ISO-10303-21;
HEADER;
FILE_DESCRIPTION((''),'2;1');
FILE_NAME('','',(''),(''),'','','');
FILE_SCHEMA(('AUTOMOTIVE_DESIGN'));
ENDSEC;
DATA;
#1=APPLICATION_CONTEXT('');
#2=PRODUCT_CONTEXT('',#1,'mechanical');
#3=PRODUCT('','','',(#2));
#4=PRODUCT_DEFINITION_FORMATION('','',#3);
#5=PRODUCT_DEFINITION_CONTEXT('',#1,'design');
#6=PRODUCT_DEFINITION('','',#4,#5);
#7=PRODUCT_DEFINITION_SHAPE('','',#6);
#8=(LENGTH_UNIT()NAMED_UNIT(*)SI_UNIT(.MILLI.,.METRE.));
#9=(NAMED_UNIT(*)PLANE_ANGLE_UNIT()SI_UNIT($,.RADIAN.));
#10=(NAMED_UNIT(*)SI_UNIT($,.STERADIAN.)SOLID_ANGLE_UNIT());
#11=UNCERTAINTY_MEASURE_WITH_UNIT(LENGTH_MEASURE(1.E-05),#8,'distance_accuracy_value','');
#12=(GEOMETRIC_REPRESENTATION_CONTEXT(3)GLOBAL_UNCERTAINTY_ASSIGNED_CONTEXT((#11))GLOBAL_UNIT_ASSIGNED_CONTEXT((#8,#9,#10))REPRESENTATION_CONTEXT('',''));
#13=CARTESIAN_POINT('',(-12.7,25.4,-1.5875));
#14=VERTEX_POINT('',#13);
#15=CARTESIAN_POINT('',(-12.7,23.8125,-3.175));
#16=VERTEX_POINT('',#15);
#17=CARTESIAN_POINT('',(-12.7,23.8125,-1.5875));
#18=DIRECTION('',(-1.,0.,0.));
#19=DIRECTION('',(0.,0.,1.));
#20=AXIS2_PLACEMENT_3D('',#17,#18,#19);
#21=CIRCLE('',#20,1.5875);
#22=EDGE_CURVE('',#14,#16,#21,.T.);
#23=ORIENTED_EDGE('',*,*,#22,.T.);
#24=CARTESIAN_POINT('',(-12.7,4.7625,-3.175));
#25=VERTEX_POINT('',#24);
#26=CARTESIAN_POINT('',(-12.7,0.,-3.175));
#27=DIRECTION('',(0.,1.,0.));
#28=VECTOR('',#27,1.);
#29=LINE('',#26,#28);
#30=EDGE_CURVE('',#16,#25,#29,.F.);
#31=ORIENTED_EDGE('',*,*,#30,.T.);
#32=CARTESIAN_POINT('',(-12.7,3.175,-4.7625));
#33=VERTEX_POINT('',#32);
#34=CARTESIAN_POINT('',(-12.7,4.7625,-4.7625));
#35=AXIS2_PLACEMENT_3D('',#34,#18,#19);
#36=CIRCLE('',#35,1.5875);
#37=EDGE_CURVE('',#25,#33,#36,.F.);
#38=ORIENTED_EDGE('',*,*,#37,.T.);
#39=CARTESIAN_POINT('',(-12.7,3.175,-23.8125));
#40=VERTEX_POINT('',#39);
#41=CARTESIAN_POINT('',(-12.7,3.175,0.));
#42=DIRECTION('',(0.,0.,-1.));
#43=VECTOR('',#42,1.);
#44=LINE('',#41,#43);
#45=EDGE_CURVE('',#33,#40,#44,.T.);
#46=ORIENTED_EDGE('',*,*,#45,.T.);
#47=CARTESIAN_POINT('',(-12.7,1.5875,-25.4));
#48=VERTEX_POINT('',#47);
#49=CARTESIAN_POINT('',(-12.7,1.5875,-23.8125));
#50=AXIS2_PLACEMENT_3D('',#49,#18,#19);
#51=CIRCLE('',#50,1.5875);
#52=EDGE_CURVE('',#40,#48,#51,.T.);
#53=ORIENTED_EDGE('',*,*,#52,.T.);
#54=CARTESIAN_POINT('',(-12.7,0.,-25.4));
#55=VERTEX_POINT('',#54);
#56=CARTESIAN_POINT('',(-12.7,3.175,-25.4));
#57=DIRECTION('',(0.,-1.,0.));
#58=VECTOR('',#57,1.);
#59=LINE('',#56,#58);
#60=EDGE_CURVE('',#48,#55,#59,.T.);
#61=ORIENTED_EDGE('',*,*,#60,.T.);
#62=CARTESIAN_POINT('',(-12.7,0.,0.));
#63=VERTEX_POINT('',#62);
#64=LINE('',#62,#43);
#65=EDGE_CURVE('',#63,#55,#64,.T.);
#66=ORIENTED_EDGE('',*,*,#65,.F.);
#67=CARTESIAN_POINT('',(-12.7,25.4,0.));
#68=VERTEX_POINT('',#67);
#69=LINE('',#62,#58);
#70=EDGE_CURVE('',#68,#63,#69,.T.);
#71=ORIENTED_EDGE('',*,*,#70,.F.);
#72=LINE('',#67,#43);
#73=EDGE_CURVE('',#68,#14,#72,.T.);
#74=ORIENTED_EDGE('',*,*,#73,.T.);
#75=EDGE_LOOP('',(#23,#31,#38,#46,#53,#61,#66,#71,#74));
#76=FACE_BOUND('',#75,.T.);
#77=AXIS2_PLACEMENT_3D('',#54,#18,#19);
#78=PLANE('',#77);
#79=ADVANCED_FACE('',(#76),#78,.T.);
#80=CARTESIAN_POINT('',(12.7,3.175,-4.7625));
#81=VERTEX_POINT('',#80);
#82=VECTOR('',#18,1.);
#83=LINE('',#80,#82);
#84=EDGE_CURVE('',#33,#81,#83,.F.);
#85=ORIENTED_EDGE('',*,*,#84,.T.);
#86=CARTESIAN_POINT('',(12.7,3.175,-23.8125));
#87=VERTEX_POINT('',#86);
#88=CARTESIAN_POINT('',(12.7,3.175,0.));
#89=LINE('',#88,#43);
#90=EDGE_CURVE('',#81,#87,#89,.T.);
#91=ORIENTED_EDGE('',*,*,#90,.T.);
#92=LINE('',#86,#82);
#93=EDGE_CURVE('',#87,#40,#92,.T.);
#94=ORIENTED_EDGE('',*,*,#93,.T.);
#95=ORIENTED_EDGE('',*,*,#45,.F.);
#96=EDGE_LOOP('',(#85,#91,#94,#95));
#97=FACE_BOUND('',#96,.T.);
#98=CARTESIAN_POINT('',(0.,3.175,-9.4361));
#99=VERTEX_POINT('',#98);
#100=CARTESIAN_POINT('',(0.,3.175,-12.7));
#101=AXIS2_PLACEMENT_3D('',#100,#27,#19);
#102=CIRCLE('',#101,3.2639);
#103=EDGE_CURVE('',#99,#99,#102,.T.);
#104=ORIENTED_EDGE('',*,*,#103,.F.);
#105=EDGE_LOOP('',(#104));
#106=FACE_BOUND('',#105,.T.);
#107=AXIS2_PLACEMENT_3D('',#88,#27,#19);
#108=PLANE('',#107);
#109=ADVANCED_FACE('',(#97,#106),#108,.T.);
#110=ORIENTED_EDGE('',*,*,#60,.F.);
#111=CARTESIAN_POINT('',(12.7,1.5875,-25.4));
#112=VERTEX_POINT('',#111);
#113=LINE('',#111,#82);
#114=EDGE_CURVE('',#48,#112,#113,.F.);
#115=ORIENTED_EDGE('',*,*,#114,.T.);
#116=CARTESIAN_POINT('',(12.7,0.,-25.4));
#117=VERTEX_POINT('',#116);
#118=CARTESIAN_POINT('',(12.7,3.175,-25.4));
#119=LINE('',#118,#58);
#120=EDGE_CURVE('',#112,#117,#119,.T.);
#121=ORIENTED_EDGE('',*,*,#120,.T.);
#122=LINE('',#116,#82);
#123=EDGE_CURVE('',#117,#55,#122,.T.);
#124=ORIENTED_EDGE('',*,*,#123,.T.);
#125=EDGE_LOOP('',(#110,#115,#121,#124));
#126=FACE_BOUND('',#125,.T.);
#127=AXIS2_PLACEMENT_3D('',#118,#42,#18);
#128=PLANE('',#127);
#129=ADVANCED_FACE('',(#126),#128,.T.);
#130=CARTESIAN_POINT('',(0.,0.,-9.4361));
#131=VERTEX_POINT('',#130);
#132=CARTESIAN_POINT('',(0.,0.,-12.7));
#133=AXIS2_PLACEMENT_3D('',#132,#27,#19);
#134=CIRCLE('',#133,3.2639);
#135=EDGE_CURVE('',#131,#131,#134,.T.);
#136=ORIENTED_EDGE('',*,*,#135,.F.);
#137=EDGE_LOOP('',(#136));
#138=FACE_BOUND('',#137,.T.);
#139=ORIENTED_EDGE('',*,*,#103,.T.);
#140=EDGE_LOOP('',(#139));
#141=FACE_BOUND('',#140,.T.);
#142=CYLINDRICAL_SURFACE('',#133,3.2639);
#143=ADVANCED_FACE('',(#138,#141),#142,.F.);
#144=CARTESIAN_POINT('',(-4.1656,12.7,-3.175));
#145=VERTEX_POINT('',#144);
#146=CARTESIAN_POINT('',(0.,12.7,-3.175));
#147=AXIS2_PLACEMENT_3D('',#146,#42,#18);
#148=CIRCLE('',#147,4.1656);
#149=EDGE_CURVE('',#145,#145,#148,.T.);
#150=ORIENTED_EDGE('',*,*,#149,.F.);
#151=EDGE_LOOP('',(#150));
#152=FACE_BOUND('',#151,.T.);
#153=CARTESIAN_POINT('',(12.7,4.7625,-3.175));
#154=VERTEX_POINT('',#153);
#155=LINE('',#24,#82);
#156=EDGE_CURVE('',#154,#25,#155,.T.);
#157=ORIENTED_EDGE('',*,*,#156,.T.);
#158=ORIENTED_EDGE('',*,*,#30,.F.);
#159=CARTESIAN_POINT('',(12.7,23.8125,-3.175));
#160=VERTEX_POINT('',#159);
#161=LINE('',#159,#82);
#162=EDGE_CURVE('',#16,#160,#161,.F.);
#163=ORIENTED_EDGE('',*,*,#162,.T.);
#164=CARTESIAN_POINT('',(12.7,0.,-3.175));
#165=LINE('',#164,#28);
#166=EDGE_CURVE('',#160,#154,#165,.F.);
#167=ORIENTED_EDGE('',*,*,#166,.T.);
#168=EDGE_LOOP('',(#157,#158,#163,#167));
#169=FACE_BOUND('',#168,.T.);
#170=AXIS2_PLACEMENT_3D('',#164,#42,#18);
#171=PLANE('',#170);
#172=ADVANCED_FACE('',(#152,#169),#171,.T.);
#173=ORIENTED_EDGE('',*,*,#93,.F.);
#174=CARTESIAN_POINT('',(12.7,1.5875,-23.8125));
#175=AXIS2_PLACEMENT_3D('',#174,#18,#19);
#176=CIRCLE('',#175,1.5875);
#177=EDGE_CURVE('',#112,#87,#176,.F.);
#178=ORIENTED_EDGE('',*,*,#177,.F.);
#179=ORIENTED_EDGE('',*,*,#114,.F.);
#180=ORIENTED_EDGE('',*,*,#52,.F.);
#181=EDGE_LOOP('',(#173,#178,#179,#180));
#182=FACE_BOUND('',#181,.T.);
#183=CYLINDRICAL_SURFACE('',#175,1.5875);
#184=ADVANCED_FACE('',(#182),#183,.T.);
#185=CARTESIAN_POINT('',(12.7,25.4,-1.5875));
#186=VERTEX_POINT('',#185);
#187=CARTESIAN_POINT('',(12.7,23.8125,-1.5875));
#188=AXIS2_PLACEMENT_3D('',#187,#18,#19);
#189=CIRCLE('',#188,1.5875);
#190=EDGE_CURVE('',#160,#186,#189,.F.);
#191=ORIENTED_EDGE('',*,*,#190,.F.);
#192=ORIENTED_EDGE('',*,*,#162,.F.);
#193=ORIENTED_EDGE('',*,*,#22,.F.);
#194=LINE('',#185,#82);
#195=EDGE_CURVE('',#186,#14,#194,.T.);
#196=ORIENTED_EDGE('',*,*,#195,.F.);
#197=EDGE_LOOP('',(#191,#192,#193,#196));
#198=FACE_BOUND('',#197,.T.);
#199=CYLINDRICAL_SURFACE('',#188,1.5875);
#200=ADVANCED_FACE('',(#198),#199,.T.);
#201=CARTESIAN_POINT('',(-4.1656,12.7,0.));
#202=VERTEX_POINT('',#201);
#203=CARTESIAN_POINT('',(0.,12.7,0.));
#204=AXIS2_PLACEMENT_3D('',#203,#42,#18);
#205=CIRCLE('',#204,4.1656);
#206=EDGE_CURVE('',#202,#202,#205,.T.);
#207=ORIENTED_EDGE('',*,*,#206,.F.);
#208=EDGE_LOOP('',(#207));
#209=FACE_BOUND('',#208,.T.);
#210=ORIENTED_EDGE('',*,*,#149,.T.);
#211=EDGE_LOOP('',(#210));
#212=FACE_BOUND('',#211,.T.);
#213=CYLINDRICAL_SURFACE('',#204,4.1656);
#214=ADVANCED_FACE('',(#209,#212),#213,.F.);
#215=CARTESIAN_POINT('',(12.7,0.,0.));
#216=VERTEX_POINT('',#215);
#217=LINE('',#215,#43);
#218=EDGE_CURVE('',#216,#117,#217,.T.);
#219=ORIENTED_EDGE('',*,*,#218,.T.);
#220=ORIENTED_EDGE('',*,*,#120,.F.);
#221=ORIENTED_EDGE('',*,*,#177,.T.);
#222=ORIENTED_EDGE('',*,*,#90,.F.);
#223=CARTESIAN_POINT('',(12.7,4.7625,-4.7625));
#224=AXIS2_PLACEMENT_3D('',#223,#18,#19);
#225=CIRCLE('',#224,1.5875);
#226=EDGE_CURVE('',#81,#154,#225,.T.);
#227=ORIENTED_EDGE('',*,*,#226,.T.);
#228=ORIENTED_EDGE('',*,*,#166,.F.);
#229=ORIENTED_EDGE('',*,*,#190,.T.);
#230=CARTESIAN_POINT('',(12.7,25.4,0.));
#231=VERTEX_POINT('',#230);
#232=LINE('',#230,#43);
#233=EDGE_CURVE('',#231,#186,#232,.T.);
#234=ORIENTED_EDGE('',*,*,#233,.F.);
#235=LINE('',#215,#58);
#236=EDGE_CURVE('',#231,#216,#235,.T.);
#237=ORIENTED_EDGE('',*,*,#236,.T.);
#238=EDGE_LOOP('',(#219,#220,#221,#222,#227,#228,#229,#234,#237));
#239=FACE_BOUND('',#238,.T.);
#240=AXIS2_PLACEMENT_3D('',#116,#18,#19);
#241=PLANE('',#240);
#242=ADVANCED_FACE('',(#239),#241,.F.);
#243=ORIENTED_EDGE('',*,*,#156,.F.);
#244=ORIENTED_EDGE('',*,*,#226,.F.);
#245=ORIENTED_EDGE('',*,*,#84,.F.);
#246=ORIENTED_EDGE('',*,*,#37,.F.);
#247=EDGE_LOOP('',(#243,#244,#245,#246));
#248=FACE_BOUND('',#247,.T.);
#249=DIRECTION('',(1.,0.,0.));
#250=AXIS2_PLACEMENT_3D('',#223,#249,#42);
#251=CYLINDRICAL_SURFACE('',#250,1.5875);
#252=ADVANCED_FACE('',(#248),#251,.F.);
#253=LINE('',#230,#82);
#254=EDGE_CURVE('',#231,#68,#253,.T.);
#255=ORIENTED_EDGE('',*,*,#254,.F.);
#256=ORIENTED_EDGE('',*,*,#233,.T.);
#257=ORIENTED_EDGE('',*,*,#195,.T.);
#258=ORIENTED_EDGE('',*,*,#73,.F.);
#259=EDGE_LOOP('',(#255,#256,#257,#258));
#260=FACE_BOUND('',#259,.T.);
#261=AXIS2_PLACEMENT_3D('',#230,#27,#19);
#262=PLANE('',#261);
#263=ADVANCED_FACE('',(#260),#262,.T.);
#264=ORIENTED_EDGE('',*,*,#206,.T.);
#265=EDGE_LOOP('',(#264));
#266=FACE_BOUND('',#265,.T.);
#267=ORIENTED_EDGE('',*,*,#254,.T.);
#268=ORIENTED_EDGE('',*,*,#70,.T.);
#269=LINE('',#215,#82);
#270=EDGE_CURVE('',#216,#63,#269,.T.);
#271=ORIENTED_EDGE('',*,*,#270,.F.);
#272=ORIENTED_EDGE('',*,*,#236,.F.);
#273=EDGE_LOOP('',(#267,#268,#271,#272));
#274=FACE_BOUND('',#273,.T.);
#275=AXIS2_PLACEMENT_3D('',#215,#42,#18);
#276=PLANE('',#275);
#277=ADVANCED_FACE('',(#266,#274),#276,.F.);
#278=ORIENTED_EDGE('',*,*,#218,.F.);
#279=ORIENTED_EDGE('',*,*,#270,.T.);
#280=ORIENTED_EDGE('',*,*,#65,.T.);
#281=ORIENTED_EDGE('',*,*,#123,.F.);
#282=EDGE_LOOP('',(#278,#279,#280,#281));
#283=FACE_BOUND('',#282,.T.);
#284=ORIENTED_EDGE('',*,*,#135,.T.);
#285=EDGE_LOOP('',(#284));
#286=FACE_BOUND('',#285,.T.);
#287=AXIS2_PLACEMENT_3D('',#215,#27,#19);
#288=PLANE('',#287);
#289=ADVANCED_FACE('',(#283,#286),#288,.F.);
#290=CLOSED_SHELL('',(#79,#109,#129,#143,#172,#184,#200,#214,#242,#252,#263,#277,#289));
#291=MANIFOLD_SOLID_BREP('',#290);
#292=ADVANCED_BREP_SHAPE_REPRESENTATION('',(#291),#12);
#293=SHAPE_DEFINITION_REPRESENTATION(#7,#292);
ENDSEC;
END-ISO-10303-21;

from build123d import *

# Parameters (mm, degrees)
EXTRUDE_THIN1_DEPTH = 12.7
SKETCH2_R           = 4.1656
CUT_EXTRUDE1_DEPTH  = 4.175
SKETCH3_R           = 3.2639
CUT_EXTRUDE2_DEPTH  = 4.175
FILLET1_R           = 1.5875


with BuildPart() as part:
    # Sketch1 → Extrude-Thin1 (new body, symmetric)
    with BuildSketch(Plane(origin=(0, 0, 0), x_dir=(0, 0, -1), z_dir=(1, 0, 0))):
        Polygon((25.4, 0), (0, 0), (0, 25.4), (3.175, 25.4), (3.175, 3.175), (25.4, 3.175), align=None)
    extrude(amount=EXTRUDE_THIN1_DEPTH, both=True)

    # Sketch2 → Cut-Extrude1 (cut, through all)
    with BuildSketch(Plane(origin=(0, 0, -3.175), x_dir=(-1, 0, 0), z_dir=(0, 0, -1))):
        with Locations((0, 12.7)):
            Circle(SKETCH2_R)
    extrude(amount=-CUT_EXTRUDE1_DEPTH, mode=Mode.SUBTRACT)

    # Sketch3 → Cut-Extrude2 (cut, through all)
    with BuildSketch(Plane(origin=(0, 3.175, 0), x_dir=(1, 0, 0), z_dir=(0, 1, 0))):
        with Locations(Location((0, 12.7, 0), (0, 0, 270))):  # turned: the seam where the file's is
            Circle(SKETCH3_R)
    extrude(amount=-CUT_EXTRUDE2_DEPTH, mode=Mode.SUBTRACT)

    # Fillet1
    fillet1_edges = [part.edges().sort_by_distance(p)[0] for p in [
        (0, 25.4, -3.175),
        (0, 3.175, -3.175),
        (0, 3.175, -25.4),
    ]]
    fillet(fillet1_edges, radius=FILLET1_R)


solid = part.part
